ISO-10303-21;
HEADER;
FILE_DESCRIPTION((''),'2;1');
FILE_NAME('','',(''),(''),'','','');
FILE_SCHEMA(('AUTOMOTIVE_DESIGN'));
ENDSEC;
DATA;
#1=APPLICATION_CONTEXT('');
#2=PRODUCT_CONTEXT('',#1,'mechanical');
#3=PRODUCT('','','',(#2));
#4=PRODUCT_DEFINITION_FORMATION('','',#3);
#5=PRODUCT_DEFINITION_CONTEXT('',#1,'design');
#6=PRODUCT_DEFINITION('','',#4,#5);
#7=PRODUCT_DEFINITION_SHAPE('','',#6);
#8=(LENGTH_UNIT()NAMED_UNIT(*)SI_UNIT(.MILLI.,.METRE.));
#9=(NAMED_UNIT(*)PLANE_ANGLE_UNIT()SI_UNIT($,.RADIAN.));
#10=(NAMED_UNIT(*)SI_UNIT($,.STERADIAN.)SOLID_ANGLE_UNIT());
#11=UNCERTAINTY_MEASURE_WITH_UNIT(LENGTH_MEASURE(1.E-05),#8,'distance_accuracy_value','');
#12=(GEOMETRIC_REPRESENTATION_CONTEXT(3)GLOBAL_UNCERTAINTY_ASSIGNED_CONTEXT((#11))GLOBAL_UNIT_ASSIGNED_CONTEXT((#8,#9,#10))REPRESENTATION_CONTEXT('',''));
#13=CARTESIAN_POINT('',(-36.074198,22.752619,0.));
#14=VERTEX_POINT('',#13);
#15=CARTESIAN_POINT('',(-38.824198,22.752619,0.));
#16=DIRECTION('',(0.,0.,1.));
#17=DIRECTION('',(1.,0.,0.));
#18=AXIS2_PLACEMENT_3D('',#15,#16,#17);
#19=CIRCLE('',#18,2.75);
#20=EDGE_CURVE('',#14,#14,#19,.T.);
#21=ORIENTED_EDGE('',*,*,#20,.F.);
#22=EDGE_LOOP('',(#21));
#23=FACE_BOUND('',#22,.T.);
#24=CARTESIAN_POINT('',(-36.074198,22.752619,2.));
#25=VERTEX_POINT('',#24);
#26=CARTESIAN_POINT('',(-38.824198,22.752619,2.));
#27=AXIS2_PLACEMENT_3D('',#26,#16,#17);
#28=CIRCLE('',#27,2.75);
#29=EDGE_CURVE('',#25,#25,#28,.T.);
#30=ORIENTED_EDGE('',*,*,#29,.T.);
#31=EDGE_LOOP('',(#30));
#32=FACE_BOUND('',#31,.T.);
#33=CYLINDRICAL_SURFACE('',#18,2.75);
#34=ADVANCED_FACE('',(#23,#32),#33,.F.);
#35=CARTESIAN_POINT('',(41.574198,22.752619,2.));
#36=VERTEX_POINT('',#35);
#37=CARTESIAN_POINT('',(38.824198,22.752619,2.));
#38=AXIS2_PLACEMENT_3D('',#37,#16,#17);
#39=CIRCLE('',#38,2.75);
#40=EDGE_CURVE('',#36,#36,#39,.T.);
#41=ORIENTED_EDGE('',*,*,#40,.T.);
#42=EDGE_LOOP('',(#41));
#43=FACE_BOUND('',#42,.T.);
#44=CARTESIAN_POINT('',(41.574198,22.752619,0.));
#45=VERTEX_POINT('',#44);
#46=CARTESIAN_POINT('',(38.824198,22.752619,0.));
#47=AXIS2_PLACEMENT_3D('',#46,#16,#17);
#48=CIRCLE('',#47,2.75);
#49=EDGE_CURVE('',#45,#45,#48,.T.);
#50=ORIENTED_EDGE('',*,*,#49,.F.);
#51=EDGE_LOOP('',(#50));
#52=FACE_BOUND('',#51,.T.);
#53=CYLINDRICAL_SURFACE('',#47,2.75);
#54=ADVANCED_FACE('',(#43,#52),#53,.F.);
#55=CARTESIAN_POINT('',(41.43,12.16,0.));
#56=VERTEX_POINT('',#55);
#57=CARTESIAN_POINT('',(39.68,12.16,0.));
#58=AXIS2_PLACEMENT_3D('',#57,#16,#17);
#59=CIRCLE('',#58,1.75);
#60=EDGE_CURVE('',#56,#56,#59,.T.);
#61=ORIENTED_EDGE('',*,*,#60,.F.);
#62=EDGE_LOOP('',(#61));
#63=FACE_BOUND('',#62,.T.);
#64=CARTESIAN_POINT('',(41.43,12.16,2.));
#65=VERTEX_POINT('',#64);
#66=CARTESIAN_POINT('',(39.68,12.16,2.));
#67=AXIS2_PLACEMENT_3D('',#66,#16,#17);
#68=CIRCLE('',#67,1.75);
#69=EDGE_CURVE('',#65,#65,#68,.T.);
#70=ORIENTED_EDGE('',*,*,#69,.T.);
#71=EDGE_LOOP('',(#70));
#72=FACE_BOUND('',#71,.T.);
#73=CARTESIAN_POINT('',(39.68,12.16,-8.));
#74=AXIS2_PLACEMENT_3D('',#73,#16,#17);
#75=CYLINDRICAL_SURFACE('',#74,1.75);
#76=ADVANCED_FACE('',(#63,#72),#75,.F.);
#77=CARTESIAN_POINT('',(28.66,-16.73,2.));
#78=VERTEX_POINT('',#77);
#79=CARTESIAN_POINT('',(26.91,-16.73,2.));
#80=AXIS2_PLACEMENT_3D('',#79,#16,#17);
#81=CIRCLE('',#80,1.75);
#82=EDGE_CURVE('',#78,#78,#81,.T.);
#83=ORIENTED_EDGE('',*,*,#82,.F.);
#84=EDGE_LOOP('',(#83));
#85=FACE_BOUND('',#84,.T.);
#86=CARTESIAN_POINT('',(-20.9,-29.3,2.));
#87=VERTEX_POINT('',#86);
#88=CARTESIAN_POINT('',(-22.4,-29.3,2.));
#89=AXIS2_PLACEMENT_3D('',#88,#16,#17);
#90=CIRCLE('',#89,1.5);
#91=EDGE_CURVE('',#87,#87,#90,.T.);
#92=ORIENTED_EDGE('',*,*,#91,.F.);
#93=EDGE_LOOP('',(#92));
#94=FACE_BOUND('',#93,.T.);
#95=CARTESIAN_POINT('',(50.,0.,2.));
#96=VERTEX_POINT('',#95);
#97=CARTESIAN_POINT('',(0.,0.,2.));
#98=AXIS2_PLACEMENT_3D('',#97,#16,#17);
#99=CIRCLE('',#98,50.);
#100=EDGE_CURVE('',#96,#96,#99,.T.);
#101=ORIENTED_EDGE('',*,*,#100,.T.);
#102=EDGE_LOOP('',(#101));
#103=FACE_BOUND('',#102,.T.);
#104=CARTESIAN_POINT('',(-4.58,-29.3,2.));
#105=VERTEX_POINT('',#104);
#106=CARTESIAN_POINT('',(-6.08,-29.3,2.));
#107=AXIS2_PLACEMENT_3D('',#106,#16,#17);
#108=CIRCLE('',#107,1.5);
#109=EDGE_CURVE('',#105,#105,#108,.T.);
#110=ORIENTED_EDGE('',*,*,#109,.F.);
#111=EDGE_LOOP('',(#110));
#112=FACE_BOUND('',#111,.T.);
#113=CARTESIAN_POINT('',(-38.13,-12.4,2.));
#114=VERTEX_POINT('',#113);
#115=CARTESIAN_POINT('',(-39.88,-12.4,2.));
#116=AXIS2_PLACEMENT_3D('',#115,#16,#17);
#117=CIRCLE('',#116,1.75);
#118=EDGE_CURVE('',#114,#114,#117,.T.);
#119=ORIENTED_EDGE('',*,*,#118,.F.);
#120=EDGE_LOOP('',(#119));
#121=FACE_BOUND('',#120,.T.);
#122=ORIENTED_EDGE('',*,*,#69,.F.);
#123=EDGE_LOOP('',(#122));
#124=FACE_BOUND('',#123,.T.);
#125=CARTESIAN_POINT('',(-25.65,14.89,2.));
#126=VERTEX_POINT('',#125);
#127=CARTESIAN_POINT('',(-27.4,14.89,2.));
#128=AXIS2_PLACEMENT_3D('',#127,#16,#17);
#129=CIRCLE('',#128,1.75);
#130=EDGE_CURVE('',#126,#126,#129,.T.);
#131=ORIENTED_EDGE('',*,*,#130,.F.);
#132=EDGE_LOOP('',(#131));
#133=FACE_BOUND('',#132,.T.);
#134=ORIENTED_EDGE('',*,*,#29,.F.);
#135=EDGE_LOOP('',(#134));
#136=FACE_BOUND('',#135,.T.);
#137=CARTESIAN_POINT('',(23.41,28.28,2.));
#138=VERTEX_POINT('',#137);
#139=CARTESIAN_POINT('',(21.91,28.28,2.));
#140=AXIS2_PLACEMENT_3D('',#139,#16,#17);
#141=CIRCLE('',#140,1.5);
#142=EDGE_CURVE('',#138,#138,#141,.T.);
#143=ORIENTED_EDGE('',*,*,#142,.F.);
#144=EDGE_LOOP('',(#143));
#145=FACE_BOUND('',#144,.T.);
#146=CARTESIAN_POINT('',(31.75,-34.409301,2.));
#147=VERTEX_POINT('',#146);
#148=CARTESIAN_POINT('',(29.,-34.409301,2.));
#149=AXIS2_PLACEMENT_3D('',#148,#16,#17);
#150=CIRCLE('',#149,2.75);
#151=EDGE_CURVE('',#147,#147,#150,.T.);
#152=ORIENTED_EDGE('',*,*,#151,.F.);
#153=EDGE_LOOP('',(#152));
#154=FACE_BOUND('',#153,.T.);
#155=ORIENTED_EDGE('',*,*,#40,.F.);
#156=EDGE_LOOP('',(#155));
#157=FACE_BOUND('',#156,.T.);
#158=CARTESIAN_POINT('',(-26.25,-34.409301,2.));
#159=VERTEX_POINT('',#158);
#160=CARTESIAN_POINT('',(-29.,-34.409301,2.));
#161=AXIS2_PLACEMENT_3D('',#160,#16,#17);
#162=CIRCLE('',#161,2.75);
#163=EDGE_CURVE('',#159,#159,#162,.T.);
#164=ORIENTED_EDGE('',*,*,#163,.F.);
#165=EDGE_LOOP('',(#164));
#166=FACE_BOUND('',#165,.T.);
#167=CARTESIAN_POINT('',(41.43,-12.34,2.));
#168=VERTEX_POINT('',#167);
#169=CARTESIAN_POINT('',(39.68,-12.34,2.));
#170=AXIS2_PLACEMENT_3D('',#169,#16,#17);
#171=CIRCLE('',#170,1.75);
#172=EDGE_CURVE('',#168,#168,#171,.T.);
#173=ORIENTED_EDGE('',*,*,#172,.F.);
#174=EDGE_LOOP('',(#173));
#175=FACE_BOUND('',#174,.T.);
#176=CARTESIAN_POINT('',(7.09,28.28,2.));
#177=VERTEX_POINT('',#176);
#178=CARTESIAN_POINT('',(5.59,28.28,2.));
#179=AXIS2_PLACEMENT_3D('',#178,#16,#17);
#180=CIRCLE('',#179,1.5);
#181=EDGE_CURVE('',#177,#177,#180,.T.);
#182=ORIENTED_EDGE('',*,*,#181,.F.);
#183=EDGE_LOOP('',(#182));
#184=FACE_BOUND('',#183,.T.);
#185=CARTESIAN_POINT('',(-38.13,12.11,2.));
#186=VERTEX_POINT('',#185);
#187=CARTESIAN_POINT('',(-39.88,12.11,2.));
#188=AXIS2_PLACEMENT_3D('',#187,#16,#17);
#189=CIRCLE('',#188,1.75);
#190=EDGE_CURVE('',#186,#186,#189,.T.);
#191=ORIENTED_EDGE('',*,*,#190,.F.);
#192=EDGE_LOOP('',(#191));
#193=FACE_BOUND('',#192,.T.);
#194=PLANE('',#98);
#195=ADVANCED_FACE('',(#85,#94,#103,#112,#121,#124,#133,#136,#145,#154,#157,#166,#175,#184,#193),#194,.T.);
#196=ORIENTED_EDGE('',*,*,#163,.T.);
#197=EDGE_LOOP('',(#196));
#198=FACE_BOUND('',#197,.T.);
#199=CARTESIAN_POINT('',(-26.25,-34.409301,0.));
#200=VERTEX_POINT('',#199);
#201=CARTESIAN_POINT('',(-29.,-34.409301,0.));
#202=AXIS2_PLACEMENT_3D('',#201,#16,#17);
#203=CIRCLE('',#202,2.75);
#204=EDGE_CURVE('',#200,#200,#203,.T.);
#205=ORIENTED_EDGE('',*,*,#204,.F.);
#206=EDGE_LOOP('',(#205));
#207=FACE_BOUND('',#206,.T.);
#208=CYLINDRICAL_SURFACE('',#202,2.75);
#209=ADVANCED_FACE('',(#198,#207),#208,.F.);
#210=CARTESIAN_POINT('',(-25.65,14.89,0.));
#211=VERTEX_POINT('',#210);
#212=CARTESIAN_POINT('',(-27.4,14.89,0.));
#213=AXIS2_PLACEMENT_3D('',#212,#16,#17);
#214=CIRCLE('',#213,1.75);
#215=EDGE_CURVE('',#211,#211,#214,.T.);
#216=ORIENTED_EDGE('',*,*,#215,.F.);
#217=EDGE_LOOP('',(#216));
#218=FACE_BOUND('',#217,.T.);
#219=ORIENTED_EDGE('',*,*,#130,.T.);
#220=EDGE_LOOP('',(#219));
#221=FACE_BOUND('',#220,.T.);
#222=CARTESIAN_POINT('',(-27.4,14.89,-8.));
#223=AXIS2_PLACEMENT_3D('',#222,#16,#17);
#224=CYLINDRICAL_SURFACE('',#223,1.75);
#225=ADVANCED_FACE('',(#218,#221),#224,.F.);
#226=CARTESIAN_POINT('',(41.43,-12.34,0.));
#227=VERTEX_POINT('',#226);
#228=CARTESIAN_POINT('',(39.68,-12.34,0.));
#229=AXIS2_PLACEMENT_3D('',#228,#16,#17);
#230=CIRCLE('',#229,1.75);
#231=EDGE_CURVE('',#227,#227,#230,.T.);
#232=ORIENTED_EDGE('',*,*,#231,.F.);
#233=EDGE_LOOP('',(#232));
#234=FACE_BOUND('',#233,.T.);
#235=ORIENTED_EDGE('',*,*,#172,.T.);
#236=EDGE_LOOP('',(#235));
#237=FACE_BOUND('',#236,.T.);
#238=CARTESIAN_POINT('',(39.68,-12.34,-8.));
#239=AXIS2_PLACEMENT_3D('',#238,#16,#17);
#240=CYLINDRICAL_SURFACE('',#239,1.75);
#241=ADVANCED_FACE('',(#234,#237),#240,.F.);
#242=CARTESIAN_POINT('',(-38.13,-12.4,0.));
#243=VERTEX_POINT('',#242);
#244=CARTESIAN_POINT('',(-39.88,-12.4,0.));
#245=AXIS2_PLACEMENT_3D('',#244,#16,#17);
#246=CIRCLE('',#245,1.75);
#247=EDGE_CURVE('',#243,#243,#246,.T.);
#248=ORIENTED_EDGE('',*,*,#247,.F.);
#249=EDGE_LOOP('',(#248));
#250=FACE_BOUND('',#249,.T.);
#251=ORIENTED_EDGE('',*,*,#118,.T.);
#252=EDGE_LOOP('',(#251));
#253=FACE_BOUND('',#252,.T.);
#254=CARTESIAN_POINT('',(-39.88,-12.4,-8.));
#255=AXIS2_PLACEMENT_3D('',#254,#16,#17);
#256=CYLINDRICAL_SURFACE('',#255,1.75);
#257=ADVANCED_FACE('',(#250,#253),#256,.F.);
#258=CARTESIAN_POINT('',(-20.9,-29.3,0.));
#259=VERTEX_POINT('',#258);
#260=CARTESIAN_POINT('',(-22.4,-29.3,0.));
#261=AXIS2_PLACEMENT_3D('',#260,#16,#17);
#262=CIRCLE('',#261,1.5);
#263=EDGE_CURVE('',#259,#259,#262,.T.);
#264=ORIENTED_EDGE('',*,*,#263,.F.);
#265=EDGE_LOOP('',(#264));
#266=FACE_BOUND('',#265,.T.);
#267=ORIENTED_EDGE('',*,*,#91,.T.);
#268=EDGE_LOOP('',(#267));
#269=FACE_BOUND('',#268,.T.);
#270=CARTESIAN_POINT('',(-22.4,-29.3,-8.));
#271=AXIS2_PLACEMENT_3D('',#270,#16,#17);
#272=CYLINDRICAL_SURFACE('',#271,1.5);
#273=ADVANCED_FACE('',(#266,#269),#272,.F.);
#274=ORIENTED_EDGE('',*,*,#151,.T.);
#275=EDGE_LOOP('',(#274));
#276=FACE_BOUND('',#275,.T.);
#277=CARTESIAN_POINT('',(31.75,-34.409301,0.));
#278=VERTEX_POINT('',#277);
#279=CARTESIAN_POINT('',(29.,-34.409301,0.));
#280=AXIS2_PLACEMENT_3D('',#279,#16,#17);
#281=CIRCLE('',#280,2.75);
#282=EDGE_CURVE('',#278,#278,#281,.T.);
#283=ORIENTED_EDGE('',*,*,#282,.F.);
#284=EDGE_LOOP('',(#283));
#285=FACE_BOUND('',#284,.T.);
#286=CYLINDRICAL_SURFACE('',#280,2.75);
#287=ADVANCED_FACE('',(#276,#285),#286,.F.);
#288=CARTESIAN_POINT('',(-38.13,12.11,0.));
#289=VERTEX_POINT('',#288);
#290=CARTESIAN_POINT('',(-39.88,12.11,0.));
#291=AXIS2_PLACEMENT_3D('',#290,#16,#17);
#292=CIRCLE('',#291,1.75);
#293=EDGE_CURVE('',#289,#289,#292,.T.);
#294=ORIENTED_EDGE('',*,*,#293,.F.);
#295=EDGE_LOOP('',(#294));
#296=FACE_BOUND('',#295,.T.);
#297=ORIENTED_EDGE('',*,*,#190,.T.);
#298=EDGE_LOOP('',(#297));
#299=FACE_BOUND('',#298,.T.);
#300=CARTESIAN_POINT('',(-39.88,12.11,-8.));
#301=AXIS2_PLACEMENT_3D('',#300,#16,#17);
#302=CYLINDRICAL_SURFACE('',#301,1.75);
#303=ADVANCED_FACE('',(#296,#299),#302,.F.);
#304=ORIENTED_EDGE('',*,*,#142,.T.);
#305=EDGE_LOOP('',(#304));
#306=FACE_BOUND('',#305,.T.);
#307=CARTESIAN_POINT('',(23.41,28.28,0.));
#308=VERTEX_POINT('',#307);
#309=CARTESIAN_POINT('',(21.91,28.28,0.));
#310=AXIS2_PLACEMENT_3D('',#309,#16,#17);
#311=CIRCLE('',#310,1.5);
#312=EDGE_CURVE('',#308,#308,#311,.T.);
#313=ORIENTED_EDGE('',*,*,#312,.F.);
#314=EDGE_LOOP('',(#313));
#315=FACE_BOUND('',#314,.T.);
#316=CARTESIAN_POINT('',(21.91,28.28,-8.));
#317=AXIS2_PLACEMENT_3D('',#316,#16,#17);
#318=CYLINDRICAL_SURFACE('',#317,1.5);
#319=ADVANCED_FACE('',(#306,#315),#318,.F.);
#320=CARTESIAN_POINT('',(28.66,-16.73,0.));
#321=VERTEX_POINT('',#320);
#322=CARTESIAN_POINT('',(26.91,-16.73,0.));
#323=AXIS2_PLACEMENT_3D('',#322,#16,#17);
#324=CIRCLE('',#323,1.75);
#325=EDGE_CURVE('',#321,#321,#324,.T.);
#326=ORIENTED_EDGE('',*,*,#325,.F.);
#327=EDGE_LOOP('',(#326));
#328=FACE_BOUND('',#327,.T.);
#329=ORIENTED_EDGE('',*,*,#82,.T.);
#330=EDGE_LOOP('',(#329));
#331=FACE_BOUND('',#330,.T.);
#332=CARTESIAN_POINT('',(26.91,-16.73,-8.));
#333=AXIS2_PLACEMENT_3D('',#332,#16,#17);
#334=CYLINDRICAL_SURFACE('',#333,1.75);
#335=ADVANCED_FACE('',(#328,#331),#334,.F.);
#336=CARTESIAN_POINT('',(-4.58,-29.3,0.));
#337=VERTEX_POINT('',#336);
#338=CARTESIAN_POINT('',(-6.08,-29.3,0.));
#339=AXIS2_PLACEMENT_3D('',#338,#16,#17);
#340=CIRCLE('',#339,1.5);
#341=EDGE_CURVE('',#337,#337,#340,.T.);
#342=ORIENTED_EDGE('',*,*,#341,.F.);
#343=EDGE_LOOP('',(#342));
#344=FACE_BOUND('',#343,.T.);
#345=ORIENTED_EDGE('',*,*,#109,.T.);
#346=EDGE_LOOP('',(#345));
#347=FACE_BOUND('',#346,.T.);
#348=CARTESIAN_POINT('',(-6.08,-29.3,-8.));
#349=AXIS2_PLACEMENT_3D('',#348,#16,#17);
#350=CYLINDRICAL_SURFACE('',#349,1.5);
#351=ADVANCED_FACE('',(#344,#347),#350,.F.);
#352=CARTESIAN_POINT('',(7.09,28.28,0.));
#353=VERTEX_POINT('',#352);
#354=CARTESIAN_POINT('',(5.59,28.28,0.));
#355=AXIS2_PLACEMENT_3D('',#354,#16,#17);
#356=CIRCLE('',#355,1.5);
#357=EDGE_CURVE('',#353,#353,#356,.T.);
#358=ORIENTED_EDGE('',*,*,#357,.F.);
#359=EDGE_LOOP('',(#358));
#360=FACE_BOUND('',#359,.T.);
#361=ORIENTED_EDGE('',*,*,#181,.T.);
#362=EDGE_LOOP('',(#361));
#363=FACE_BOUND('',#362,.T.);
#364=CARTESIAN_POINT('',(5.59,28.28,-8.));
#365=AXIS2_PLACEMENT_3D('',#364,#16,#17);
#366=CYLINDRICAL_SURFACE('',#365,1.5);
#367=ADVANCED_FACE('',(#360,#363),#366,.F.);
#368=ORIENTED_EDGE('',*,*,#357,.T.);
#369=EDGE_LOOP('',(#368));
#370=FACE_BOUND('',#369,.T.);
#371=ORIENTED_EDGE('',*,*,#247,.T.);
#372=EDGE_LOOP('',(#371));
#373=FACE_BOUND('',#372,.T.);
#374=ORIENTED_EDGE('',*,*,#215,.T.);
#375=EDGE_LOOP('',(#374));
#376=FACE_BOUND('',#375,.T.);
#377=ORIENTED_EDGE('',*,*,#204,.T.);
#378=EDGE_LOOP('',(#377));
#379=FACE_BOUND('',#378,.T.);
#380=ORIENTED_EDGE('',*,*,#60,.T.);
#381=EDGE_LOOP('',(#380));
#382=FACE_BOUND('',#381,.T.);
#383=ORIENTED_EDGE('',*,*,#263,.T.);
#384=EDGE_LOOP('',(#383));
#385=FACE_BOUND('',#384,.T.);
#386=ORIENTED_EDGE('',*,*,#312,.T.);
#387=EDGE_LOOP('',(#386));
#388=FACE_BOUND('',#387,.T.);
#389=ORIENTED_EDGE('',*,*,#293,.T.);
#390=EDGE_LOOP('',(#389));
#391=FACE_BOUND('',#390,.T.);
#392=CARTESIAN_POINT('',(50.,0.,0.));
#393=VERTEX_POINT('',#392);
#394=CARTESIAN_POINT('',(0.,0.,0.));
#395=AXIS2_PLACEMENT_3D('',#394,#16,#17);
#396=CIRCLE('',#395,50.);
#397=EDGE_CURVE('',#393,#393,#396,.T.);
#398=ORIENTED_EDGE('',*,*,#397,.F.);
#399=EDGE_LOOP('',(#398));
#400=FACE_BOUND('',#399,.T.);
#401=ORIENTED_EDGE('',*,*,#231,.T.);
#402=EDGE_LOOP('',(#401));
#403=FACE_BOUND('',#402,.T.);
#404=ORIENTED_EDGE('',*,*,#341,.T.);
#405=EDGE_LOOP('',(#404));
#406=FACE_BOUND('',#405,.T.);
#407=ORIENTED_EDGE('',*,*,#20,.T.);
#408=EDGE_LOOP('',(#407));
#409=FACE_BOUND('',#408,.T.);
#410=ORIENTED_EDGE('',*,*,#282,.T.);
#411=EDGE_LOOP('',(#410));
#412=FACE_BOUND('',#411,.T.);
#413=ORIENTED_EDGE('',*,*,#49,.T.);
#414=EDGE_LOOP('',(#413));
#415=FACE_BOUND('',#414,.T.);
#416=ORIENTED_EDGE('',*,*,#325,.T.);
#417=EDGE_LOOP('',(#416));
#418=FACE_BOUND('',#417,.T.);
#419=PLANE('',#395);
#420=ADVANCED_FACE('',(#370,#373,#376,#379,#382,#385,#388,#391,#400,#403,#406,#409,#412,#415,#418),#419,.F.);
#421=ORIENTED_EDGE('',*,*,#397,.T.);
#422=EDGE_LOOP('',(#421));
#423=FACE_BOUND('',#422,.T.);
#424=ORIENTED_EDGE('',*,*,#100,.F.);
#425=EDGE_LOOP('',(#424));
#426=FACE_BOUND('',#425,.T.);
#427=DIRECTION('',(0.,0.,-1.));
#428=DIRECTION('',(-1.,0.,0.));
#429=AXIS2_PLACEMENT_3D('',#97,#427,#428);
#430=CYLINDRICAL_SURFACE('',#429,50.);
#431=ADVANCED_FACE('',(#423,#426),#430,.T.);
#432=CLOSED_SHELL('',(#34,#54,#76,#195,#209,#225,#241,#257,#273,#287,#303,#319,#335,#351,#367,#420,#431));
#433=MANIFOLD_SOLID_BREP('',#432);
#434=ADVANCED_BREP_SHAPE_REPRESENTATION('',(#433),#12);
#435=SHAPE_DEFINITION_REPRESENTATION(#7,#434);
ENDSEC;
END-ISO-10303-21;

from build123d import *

# Parameters (mm, degrees)
ESBO_O1_R                = 50
RESSALTO_EXTRUS_O1_DEPTH = 2
ESBO_O2_R                = 2.75
CORTE_EXTRUS_O1_DEPTH    = 2
ESBO_O3_R                = 1.75
ESBO_O3_R_2              = 1.5
CORTE_EXTRUS_O2_DEPTH    = 10


with BuildPart() as part:
    # Esboço1 → Ressalto-extrusão1 (new body)
    with BuildSketch(Plane.XY):
        Circle(ESBO_O1_R)
    extrude(amount=RESSALTO_EXTRUS_O1_DEPTH)

    # Esboço2 → Corte-extrusão1 (cut)
    with BuildSketch(Plane.XY.offset(2)):
        with Locations((-29, -34.409301068)):
            Circle(ESBO_O2_R)
        with Locations((29, -34.409301068)):
            Circle(ESBO_O2_R)
        with Locations((-38.824197531, 22.752619324)):
            Circle(ESBO_O2_R)
        with Locations((38.824197531, 22.752619324)):
            Circle(ESBO_O2_R)
    extrude(amount=-CORTE_EXTRUS_O1_DEPTH, mode=Mode.SUBTRACT)

    # Esboço3 → Corte-extrusão2 (cut)
    with BuildSketch(Plane.XY.offset(2)):
        with Locations((-27.4, 14.89)):
            Circle(ESBO_O3_R)
        with Locations((26.91, -16.73)):
            Circle(ESBO_O3_R)
        with Locations((-39.88, -12.4)):
            Circle(ESBO_O3_R)
        with Locations((-39.88, 12.11)):
            Circle(ESBO_O3_R)
        with Locations((39.68, 12.16)):
            Circle(ESBO_O3_R)
        with Locations((39.68, -12.34)):
            Circle(ESBO_O3_R)
        with Locations((5.59, 28.28)):
            Circle(ESBO_O3_R_2)
        with Locations((21.91, 28.28)):
            Circle(ESBO_O3_R_2)
        with Locations((-6.08, -29.3)):
            Circle(ESBO_O3_R_2)
        with Locations((-22.4, -29.3)):
            Circle(ESBO_O3_R_2)
    extrude(amount=-CORTE_EXTRUS_O2_DEPTH, mode=Mode.SUBTRACT)


solid = part.part
